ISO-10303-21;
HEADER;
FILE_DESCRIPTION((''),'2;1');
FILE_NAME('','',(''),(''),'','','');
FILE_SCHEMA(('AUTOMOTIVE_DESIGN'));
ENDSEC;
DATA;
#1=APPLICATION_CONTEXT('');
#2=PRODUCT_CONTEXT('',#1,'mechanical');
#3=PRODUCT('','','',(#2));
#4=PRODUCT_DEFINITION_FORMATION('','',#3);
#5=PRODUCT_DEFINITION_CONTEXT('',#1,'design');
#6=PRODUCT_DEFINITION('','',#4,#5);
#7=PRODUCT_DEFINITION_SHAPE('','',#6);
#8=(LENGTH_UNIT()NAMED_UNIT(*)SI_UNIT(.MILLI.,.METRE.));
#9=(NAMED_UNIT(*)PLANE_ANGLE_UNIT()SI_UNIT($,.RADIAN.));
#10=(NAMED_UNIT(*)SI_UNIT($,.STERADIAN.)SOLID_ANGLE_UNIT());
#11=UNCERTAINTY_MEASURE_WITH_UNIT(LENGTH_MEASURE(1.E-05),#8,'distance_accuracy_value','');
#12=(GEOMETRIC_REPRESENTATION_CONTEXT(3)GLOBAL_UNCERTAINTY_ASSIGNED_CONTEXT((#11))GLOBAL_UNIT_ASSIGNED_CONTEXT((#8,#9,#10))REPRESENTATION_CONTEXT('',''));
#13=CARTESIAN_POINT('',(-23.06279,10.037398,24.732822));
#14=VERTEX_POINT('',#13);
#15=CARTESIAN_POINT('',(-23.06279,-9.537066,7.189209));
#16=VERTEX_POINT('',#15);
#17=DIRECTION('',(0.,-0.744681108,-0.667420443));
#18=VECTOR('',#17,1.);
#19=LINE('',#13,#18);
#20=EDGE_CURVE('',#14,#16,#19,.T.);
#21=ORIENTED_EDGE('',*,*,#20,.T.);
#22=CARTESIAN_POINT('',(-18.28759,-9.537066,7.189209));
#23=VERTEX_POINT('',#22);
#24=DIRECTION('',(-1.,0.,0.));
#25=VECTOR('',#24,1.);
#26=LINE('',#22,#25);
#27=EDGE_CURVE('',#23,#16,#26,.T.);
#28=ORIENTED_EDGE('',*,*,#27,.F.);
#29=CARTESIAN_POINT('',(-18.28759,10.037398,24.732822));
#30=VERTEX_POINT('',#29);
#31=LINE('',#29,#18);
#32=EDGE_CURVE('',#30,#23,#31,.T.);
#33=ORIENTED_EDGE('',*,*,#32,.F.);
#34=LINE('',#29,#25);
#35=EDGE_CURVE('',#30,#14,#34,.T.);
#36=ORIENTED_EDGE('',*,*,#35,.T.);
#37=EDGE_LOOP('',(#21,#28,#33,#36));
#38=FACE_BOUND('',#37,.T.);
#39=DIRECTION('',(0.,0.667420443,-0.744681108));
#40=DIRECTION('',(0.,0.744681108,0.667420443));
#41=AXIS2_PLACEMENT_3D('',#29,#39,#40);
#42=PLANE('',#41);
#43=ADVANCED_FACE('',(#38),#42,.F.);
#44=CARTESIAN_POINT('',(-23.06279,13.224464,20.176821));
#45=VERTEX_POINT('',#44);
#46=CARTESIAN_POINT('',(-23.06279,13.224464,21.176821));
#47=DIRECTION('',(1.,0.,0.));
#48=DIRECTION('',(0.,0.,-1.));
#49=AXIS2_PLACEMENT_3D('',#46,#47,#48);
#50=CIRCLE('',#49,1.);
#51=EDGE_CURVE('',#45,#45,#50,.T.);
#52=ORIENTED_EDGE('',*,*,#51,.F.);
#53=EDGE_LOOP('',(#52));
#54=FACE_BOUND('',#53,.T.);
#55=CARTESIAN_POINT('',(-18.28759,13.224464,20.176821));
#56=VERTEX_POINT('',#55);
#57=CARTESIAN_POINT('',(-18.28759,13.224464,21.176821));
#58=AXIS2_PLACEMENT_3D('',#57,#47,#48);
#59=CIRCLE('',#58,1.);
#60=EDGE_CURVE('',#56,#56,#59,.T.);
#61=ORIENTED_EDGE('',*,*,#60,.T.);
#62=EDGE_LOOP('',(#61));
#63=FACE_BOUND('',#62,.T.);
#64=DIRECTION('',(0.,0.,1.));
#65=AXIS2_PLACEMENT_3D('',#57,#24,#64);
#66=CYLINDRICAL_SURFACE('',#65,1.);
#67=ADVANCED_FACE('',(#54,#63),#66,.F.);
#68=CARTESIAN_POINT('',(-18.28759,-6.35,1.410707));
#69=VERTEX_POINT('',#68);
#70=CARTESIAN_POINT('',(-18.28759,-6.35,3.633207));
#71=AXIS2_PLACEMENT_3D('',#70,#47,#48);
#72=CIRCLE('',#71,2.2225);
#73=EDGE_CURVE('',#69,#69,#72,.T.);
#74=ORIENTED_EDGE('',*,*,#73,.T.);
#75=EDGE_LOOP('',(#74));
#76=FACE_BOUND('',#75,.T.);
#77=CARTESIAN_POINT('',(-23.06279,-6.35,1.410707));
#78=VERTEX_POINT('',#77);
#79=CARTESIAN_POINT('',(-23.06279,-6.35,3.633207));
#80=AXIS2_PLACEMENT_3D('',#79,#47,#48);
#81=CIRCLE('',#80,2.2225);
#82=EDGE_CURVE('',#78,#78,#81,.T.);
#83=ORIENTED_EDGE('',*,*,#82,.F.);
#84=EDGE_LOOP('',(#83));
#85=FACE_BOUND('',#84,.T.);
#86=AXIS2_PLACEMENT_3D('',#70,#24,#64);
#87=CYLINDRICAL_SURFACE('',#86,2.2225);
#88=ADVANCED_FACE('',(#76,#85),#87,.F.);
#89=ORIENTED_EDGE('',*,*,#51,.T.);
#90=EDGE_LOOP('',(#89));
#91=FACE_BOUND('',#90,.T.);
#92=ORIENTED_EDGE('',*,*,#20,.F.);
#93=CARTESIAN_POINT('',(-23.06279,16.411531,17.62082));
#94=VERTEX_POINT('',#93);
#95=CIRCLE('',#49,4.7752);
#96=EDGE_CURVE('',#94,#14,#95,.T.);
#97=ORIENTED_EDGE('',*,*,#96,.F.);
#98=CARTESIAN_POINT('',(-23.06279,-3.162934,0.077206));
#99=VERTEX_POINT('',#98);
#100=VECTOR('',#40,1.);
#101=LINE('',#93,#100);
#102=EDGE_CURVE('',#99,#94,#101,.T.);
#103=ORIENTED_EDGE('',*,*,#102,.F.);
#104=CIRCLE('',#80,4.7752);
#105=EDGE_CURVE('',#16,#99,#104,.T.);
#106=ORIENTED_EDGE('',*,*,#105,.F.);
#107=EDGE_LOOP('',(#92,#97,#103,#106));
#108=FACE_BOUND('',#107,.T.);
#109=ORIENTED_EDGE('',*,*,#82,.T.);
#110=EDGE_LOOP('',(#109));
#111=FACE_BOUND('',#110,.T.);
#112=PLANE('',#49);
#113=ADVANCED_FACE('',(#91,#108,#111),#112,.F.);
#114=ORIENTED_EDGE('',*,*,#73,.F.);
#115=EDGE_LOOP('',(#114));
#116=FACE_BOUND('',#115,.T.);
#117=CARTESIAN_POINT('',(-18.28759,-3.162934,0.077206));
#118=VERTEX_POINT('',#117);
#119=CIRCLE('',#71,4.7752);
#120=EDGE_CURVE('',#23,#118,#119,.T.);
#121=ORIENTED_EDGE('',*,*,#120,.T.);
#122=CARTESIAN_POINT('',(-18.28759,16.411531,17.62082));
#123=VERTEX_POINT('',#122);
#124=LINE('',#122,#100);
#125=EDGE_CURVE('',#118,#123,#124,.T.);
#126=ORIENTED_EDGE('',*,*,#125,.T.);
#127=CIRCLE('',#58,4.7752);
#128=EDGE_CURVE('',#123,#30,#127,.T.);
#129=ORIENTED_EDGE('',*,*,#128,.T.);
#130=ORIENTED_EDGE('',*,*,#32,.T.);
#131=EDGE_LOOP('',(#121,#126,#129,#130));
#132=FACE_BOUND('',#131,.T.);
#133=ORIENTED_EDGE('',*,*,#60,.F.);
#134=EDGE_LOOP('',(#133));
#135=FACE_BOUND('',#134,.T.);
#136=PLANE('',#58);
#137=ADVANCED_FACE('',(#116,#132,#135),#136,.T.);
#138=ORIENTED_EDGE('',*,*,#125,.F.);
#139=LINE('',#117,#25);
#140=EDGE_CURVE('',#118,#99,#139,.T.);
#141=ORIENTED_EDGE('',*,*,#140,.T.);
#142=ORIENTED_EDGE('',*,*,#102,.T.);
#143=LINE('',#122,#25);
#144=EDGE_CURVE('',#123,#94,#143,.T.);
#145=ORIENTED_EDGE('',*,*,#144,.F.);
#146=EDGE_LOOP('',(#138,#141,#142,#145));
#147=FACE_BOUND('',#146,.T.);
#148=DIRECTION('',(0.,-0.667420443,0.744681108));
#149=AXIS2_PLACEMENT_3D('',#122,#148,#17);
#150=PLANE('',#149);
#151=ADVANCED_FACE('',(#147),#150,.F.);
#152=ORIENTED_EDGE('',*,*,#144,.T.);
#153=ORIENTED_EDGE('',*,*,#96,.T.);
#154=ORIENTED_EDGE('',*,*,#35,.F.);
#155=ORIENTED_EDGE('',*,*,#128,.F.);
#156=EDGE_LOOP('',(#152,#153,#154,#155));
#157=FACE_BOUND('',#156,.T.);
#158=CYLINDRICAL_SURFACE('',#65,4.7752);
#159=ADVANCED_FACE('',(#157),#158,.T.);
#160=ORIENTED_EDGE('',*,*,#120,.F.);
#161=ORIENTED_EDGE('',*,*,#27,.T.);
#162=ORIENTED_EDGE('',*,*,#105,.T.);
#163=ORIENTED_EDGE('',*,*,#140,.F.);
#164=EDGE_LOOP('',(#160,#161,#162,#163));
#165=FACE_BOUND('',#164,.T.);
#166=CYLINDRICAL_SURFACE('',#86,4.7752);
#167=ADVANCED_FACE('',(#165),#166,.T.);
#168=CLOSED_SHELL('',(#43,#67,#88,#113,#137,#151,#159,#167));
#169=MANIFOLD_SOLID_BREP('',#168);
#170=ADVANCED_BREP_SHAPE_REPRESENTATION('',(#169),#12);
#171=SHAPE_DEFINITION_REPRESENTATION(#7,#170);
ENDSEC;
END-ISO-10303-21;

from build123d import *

# Parameters (mm, degrees)
SKETCH1_R           = 2.2225
SKETCH1_R_2         = 1
BOSS_EXTRUDE1_DEPTH = 4.7752


with BuildPart() as part:
    # Sketch1 → Boss-Extrude1 (new body)
    with BuildSketch(Plane(origin=(-23.062789717, 0, 0), x_dir=(0, 0, -1), z_dir=(1, 0, 0))):
        with BuildLine():
            Line((-17.620819978, 16.411530589), (-0.077206179, -3.162933901))
            ThreePointArc((-0.077206179, -3.162933901), (-0.446141306, -9.906001226), (-7.189208631, -9.537066099))
            Line((-7.189208631, -9.537066099), (-24.73282243, 10.037398391))
            ThreePointArc((-24.73282243, 10.037398391), (-24.363887303, 16.780465716), (-17.620819978, 16.411530589))
        make_face()
        with Locations((-3.633207405, -6.35)):
            Circle(SKETCH1_R, mode=Mode.SUBTRACT)
        with Locations((-21.176821204, 13.22446449)):
            Circle(SKETCH1_R_2, mode=Mode.SUBTRACT)
    extrude(amount=BOSS_EXTRUDE1_DEPTH)


solid = part.part
